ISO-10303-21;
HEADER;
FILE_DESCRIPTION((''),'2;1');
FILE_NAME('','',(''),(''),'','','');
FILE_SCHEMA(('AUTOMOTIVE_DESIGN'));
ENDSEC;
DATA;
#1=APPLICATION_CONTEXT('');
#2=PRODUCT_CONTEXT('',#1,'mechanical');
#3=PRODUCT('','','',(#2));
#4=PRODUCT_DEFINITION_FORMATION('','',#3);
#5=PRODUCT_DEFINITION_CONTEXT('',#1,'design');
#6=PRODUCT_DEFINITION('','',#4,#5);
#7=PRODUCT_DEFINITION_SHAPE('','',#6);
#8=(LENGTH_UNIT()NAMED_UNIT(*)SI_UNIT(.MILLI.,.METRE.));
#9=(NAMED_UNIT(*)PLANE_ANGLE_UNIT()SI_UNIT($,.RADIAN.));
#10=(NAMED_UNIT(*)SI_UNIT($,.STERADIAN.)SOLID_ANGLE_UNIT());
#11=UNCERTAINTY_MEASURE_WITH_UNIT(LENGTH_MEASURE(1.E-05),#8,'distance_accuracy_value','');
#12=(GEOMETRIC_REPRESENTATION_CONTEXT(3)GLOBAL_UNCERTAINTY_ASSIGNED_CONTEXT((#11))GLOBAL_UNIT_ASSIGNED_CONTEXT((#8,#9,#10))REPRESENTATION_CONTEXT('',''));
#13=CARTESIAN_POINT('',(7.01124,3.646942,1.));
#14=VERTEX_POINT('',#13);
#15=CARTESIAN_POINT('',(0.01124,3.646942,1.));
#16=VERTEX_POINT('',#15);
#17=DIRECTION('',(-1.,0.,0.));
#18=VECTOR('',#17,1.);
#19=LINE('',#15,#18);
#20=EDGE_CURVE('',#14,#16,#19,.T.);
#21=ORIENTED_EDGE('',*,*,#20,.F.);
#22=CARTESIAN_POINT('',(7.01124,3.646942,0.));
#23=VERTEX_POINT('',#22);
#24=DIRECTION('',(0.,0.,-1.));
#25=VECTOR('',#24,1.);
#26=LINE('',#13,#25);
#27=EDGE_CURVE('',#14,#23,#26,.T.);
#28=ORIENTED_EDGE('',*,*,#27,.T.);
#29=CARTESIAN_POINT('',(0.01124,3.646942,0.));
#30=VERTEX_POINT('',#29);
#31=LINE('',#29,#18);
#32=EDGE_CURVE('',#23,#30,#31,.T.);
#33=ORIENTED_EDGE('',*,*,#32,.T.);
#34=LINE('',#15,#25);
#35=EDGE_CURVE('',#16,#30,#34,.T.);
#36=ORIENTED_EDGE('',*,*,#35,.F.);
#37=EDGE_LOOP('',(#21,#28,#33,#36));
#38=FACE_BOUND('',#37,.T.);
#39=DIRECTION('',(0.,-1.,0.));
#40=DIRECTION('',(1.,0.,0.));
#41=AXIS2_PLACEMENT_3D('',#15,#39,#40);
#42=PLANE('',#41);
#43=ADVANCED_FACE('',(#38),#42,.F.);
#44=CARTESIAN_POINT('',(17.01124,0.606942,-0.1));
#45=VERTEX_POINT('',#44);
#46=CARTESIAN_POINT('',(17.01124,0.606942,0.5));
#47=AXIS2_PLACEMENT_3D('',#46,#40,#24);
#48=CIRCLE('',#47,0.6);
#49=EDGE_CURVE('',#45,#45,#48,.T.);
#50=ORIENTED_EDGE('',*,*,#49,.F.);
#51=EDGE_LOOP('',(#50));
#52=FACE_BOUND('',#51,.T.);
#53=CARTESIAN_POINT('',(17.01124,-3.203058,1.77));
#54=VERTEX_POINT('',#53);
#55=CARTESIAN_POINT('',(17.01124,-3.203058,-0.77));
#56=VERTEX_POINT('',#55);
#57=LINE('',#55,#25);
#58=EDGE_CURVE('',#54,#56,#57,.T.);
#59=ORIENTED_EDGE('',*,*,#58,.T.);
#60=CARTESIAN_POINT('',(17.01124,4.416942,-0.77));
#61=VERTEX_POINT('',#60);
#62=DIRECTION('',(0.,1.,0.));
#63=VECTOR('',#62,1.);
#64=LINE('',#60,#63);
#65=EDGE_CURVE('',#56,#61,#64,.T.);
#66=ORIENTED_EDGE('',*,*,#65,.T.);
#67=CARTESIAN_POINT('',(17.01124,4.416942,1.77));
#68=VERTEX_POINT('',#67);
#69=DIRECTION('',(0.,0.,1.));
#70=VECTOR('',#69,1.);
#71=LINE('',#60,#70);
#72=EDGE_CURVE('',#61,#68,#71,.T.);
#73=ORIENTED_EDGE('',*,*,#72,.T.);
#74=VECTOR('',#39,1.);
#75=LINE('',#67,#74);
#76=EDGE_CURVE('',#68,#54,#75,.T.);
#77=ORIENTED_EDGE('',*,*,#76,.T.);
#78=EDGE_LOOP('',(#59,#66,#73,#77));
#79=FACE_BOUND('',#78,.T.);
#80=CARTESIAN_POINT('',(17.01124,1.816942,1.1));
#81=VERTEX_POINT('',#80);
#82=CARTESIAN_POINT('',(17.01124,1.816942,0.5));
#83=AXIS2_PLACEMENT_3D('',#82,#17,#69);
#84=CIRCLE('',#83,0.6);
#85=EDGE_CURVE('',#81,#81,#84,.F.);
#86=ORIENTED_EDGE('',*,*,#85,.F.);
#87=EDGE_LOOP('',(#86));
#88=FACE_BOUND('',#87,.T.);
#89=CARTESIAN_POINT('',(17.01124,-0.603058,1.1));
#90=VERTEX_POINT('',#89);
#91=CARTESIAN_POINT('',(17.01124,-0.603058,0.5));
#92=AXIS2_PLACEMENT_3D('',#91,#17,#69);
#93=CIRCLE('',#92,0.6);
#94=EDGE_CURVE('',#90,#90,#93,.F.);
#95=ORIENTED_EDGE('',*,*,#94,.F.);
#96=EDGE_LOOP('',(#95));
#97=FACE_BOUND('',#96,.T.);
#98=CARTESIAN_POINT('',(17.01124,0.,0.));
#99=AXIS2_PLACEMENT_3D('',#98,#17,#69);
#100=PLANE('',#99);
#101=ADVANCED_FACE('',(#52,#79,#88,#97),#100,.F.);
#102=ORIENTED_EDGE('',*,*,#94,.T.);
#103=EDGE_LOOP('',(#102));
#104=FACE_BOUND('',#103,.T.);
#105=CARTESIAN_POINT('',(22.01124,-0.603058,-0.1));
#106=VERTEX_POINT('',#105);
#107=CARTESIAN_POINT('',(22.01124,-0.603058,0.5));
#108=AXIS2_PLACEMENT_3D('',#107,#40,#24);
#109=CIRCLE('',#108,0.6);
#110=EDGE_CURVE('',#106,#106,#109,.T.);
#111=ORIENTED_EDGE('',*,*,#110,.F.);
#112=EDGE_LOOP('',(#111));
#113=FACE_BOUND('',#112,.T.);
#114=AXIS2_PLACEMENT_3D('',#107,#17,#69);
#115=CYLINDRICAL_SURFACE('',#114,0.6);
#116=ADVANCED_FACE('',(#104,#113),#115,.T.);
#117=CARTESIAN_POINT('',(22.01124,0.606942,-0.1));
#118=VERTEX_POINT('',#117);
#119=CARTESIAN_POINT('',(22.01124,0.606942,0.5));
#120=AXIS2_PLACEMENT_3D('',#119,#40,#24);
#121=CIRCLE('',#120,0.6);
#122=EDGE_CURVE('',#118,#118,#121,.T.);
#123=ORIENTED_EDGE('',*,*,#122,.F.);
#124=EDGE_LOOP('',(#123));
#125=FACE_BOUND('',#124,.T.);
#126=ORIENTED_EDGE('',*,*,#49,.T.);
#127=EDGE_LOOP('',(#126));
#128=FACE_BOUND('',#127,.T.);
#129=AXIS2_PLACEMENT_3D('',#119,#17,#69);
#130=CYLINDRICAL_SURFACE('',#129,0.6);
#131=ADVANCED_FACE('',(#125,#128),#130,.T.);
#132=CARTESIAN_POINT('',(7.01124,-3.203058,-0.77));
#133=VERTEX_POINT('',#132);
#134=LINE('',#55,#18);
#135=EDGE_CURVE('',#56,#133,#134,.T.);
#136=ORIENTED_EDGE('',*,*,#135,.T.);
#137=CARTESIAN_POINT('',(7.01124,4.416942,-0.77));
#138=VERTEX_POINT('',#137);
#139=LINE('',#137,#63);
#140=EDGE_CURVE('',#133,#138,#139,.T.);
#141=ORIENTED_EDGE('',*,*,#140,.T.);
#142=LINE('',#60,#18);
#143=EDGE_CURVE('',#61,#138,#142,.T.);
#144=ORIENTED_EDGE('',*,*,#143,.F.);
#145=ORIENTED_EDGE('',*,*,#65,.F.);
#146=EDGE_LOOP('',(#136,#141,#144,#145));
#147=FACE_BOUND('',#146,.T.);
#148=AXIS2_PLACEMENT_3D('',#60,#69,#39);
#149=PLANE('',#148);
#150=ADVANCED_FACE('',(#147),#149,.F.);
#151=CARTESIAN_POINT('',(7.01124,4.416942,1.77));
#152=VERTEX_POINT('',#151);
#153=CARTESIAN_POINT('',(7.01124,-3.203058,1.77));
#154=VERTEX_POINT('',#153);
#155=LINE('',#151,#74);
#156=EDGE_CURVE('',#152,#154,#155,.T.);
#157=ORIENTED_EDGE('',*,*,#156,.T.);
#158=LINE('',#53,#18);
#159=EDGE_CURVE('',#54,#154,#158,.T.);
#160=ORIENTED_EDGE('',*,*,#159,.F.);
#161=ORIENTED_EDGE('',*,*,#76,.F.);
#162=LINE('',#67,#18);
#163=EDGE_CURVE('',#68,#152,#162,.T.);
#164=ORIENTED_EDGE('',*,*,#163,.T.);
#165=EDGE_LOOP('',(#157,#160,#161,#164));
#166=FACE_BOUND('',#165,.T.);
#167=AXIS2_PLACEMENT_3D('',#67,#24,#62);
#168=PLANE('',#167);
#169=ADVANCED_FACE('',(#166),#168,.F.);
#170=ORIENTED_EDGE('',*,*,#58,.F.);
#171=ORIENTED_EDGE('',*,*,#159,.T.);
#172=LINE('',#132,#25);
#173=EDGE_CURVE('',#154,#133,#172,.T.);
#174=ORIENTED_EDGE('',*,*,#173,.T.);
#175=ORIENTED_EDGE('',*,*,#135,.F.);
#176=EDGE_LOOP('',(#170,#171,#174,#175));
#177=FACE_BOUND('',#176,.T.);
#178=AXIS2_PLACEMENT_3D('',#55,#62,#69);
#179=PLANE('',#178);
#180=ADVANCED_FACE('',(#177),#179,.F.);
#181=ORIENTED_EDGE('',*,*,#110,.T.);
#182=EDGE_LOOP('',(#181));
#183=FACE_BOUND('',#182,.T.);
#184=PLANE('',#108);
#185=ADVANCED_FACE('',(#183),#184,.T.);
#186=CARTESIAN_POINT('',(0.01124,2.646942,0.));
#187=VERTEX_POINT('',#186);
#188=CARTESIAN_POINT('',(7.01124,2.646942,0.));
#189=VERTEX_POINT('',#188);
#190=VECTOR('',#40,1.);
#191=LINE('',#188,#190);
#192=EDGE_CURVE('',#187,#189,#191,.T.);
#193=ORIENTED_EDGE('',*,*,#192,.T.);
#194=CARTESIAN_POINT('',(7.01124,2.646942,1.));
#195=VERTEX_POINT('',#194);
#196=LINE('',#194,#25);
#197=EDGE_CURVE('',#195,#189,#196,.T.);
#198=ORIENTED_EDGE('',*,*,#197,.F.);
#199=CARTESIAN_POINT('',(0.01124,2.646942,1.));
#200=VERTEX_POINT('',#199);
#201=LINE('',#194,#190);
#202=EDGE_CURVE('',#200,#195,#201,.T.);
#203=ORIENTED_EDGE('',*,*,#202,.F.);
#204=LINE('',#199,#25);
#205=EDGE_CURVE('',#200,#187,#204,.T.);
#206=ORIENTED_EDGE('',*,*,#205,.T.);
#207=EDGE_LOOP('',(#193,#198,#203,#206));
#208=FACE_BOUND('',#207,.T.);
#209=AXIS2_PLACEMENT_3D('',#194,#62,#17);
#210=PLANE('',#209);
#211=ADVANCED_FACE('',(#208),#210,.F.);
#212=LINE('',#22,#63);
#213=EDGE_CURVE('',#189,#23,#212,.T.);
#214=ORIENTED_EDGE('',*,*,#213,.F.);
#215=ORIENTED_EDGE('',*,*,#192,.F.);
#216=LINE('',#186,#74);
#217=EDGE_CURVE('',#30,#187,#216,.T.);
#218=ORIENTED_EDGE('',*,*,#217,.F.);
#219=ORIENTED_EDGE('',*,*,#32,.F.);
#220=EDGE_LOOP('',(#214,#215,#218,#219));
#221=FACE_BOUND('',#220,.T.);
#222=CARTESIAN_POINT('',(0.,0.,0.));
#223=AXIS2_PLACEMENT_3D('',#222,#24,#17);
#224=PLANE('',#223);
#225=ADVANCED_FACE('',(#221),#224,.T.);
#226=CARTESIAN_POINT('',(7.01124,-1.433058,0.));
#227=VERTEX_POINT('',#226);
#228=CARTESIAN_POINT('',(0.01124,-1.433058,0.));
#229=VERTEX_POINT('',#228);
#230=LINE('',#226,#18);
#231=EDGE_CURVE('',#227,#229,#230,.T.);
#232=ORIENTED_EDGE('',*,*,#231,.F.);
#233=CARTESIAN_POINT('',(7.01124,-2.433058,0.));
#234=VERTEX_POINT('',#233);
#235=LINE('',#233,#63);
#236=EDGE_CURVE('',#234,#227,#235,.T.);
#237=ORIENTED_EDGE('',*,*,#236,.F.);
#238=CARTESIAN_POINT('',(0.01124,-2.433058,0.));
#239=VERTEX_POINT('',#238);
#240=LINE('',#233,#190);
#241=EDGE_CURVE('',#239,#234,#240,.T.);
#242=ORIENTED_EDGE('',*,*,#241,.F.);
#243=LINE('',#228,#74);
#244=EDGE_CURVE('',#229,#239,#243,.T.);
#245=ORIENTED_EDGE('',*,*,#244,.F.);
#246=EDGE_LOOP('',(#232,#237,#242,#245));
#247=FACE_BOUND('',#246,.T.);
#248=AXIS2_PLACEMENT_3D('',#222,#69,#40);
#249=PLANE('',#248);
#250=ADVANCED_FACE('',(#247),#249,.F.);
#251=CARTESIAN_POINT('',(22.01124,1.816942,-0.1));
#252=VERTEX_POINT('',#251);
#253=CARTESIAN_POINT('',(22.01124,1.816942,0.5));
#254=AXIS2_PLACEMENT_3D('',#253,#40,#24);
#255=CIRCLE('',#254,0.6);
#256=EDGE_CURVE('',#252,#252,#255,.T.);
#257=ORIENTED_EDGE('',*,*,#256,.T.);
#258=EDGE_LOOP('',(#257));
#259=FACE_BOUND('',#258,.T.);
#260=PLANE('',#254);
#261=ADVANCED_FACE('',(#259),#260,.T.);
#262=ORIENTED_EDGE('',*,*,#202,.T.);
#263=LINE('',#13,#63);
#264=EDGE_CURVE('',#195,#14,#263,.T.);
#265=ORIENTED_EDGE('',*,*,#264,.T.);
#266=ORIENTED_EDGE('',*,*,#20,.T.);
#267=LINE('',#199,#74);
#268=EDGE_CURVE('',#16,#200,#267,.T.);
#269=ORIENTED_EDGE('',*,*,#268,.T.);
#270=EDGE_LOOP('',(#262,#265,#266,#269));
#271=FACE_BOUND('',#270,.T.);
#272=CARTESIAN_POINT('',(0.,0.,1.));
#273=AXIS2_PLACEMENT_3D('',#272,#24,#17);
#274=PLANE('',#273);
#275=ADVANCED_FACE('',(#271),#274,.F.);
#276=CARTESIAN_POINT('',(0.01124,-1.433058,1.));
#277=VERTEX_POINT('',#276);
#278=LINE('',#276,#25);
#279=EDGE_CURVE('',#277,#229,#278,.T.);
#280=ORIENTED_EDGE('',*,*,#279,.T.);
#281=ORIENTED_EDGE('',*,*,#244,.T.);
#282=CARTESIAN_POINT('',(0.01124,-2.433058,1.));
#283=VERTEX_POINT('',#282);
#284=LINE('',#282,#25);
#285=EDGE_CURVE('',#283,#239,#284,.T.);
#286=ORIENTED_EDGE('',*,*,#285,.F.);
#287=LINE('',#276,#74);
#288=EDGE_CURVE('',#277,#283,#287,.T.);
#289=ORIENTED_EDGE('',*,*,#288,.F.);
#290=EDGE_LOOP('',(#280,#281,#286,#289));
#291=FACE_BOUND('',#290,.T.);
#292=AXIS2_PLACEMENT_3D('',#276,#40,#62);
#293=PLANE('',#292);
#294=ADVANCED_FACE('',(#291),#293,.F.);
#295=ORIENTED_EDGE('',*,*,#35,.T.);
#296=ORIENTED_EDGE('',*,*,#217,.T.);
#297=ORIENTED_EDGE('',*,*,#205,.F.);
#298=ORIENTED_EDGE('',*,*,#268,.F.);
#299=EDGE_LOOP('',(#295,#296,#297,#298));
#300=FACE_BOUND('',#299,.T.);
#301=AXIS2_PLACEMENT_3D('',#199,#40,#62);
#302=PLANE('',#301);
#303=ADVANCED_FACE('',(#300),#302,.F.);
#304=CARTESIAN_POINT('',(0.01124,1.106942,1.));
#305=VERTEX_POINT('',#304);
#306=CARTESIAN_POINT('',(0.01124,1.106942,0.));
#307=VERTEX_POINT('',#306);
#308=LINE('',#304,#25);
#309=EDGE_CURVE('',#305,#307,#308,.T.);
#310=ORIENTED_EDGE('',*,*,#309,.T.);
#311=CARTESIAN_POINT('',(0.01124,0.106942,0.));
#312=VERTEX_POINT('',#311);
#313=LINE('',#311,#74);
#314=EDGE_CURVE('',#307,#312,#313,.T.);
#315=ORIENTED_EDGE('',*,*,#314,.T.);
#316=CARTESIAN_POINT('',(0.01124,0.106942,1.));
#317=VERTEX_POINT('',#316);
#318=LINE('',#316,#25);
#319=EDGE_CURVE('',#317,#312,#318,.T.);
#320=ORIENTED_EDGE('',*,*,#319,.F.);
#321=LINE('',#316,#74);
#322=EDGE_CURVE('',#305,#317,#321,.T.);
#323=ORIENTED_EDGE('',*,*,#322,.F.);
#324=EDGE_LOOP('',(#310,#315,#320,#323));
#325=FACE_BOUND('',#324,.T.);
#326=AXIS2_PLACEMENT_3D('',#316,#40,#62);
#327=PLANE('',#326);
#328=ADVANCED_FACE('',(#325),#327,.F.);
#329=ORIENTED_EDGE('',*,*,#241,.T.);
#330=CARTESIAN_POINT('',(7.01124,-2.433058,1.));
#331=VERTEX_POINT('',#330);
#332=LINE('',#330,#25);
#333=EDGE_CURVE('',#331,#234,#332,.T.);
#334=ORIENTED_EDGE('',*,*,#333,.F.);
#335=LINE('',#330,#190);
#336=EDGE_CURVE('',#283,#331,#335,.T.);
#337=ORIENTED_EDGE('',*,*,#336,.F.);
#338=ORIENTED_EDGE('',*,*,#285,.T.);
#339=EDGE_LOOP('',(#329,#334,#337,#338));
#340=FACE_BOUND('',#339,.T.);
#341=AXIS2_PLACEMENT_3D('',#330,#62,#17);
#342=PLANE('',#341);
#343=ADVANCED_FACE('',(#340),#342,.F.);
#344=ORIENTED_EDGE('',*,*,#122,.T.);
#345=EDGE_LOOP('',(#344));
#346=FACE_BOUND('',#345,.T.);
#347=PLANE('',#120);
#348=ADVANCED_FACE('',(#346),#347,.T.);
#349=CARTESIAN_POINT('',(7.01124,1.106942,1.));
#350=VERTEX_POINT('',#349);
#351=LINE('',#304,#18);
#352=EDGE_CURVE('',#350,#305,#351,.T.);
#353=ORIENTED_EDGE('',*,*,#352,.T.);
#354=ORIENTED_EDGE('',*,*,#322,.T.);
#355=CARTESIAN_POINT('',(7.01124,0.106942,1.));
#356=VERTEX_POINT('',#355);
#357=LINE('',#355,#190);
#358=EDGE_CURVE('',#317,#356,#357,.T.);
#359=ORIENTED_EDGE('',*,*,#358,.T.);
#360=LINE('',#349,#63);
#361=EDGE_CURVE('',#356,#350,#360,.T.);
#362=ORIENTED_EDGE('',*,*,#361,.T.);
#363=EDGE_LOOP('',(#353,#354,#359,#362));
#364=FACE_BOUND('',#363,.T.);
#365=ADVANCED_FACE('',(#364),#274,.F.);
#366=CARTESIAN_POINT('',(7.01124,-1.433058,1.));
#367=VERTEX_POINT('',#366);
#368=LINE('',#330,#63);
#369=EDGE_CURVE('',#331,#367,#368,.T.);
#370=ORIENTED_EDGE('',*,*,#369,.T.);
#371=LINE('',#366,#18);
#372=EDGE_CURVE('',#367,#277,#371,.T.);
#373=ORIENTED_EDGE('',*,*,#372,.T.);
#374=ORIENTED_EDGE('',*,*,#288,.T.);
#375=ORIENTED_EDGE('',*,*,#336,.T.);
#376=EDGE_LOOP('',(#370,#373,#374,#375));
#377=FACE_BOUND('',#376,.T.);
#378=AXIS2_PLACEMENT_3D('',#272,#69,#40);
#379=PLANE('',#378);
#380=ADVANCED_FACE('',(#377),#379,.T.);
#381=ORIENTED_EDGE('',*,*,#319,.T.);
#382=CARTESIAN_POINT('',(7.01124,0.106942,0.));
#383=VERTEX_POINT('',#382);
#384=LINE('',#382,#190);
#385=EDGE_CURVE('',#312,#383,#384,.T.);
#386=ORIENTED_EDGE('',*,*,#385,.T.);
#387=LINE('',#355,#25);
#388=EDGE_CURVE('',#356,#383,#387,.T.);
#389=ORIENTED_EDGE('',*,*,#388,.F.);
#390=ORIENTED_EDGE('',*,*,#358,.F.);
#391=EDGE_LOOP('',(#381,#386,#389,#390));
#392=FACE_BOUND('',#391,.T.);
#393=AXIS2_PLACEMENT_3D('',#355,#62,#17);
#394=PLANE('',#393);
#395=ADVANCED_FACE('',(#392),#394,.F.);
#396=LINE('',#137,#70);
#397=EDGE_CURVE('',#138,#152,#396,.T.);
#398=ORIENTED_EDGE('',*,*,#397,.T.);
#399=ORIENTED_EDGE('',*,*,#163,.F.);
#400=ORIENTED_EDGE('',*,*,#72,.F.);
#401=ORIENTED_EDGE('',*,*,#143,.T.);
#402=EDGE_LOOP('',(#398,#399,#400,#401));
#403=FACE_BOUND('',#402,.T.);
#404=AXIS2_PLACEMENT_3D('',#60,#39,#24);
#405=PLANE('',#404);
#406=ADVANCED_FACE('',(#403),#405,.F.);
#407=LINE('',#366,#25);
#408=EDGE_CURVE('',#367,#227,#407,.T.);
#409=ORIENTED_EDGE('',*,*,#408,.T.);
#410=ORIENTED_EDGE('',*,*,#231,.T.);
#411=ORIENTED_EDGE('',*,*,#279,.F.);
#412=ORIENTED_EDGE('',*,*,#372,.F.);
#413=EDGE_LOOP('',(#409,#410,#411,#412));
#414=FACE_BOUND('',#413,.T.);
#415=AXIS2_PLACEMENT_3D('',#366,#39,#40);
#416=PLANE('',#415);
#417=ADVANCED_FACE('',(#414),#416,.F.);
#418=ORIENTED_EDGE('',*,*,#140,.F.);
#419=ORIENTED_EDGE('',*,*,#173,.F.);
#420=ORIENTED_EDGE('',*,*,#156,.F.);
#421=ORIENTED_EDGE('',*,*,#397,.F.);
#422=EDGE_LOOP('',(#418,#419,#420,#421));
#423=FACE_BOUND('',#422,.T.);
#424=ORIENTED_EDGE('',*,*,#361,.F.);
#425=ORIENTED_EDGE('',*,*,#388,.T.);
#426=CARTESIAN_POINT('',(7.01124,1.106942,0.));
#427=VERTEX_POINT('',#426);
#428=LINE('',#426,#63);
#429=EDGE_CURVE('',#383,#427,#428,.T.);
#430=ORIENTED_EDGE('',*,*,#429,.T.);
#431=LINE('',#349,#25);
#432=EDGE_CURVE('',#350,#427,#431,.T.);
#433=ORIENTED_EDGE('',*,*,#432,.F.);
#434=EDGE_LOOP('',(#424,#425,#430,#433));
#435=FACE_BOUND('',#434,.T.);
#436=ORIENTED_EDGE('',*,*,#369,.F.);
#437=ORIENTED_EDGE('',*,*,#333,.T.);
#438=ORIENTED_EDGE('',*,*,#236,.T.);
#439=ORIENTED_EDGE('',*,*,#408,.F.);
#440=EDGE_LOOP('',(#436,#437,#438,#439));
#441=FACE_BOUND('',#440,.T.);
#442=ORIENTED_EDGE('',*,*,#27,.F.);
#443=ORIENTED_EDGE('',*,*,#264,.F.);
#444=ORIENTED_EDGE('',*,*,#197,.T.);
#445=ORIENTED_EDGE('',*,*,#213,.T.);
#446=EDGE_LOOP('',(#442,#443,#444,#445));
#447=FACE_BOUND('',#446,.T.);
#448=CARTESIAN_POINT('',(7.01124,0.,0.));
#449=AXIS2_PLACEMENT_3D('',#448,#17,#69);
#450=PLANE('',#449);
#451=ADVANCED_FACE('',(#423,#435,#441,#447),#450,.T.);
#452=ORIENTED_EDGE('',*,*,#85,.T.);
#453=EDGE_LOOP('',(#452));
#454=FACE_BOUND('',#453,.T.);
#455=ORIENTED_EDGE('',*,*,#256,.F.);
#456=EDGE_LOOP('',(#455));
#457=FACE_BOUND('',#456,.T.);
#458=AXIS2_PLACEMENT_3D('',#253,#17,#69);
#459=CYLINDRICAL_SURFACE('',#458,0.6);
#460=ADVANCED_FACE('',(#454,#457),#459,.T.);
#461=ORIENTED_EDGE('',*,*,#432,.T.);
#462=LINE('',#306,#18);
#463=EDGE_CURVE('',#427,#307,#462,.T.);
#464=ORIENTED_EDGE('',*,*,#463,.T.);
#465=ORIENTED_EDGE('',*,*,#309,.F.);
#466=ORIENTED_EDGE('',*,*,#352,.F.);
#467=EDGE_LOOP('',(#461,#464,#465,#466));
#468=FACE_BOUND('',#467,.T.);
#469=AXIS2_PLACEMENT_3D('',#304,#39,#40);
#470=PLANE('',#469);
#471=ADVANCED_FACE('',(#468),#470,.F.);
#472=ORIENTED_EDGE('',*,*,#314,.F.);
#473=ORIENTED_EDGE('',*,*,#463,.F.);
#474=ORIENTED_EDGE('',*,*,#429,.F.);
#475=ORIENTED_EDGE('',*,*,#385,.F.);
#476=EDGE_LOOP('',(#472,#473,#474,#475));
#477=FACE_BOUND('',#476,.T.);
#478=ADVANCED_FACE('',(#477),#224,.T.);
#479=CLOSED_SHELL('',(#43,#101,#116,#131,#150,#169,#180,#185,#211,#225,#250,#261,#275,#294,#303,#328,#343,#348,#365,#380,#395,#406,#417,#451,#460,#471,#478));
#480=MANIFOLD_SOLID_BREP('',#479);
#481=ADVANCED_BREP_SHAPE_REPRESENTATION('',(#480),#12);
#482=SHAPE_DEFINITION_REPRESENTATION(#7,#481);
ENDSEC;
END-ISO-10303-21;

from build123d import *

# Parameters (mm, degrees)
CROQUIS5_W                = 7
CROQUIS5_H                = 1
SALIENTE_EXTRUIR1_DEPTH   = 1
SALIENTE_EXTRUIR1_2_DEPTH = 1
SALIENTE_EXTRUIR1_3_DEPTH = 1
CROQUIS14_W               = 2.54
CROQUIS14_H               = 7.62
SALIENTE_EXTRUIR2_DEPTH   = 10
CROQUIS16_R               = 0.6
SALIENTE_EXTRUIR4_DEPTH   = 5


with BuildPart() as part:
    # Croquis5 → Saliente-Extruir1 (new body)
    with BuildSketch(Plane.XY):
        with Locations((3.511240097, -1.933057617)):
            Rectangle(CROQUIS5_W, CROQUIS5_H)
    extrude(amount=SALIENTE_EXTRUIR1_DEPTH)



with BuildPart() as body_2:
    # Croquis5 → Saliente-Extruir1 2 (new body)
    with BuildSketch(Plane.XY):
        with Locations((3.511240097, 0.606942383)):
            Rectangle(CROQUIS5_W, CROQUIS5_H)
    extrude(amount=SALIENTE_EXTRUIR1_2_DEPTH)


with BuildPart() as body_3:
    # Croquis5 → Saliente-Extruir1 3 (new body)
    with BuildSketch(Plane.XY):
        with Locations((3.511240097, 3.146942383)):
            Rectangle(CROQUIS5_W, CROQUIS5_H)
    extrude(amount=SALIENTE_EXTRUIR1_3_DEPTH)


with BuildPart() as part_1:
    add(part.part)

    add(body_2.part)  # Saliente-Extruir2 merges body 2

    add(body_3.part)  # Saliente-Extruir2 merges body 3
    # Croquis14 → Saliente-Extruir2 (add)
    with BuildSketch(Plane(origin=(7.011240097, 0, 0), x_dir=(0, 0, -1), z_dir=(1, 0, 0))):
        with Locations((-0.5, 0.606942383)):
            Rectangle(CROQUIS14_W, CROQUIS14_H)
    extrude(amount=SALIENTE_EXTRUIR2_DEPTH)

    # Croquis16 → Saliente-Extruir4 (add)
    with BuildSketch(Plane(origin=(17.011240097, 0, 0), x_dir=(0, 0, -1), z_dir=(1, 0, 0))):
        with Locations((-0.5, 0.606942383)):
            Circle(CROQUIS16_R)
        with Locations((-0.5, 1.816942383)):
            Circle(CROQUIS16_R)
        with Locations((-0.5, -0.603057617)):
            Circle(CROQUIS16_R)
    extrude(amount=SALIENTE_EXTRUIR4_DEPTH)


solid = part_1.part
